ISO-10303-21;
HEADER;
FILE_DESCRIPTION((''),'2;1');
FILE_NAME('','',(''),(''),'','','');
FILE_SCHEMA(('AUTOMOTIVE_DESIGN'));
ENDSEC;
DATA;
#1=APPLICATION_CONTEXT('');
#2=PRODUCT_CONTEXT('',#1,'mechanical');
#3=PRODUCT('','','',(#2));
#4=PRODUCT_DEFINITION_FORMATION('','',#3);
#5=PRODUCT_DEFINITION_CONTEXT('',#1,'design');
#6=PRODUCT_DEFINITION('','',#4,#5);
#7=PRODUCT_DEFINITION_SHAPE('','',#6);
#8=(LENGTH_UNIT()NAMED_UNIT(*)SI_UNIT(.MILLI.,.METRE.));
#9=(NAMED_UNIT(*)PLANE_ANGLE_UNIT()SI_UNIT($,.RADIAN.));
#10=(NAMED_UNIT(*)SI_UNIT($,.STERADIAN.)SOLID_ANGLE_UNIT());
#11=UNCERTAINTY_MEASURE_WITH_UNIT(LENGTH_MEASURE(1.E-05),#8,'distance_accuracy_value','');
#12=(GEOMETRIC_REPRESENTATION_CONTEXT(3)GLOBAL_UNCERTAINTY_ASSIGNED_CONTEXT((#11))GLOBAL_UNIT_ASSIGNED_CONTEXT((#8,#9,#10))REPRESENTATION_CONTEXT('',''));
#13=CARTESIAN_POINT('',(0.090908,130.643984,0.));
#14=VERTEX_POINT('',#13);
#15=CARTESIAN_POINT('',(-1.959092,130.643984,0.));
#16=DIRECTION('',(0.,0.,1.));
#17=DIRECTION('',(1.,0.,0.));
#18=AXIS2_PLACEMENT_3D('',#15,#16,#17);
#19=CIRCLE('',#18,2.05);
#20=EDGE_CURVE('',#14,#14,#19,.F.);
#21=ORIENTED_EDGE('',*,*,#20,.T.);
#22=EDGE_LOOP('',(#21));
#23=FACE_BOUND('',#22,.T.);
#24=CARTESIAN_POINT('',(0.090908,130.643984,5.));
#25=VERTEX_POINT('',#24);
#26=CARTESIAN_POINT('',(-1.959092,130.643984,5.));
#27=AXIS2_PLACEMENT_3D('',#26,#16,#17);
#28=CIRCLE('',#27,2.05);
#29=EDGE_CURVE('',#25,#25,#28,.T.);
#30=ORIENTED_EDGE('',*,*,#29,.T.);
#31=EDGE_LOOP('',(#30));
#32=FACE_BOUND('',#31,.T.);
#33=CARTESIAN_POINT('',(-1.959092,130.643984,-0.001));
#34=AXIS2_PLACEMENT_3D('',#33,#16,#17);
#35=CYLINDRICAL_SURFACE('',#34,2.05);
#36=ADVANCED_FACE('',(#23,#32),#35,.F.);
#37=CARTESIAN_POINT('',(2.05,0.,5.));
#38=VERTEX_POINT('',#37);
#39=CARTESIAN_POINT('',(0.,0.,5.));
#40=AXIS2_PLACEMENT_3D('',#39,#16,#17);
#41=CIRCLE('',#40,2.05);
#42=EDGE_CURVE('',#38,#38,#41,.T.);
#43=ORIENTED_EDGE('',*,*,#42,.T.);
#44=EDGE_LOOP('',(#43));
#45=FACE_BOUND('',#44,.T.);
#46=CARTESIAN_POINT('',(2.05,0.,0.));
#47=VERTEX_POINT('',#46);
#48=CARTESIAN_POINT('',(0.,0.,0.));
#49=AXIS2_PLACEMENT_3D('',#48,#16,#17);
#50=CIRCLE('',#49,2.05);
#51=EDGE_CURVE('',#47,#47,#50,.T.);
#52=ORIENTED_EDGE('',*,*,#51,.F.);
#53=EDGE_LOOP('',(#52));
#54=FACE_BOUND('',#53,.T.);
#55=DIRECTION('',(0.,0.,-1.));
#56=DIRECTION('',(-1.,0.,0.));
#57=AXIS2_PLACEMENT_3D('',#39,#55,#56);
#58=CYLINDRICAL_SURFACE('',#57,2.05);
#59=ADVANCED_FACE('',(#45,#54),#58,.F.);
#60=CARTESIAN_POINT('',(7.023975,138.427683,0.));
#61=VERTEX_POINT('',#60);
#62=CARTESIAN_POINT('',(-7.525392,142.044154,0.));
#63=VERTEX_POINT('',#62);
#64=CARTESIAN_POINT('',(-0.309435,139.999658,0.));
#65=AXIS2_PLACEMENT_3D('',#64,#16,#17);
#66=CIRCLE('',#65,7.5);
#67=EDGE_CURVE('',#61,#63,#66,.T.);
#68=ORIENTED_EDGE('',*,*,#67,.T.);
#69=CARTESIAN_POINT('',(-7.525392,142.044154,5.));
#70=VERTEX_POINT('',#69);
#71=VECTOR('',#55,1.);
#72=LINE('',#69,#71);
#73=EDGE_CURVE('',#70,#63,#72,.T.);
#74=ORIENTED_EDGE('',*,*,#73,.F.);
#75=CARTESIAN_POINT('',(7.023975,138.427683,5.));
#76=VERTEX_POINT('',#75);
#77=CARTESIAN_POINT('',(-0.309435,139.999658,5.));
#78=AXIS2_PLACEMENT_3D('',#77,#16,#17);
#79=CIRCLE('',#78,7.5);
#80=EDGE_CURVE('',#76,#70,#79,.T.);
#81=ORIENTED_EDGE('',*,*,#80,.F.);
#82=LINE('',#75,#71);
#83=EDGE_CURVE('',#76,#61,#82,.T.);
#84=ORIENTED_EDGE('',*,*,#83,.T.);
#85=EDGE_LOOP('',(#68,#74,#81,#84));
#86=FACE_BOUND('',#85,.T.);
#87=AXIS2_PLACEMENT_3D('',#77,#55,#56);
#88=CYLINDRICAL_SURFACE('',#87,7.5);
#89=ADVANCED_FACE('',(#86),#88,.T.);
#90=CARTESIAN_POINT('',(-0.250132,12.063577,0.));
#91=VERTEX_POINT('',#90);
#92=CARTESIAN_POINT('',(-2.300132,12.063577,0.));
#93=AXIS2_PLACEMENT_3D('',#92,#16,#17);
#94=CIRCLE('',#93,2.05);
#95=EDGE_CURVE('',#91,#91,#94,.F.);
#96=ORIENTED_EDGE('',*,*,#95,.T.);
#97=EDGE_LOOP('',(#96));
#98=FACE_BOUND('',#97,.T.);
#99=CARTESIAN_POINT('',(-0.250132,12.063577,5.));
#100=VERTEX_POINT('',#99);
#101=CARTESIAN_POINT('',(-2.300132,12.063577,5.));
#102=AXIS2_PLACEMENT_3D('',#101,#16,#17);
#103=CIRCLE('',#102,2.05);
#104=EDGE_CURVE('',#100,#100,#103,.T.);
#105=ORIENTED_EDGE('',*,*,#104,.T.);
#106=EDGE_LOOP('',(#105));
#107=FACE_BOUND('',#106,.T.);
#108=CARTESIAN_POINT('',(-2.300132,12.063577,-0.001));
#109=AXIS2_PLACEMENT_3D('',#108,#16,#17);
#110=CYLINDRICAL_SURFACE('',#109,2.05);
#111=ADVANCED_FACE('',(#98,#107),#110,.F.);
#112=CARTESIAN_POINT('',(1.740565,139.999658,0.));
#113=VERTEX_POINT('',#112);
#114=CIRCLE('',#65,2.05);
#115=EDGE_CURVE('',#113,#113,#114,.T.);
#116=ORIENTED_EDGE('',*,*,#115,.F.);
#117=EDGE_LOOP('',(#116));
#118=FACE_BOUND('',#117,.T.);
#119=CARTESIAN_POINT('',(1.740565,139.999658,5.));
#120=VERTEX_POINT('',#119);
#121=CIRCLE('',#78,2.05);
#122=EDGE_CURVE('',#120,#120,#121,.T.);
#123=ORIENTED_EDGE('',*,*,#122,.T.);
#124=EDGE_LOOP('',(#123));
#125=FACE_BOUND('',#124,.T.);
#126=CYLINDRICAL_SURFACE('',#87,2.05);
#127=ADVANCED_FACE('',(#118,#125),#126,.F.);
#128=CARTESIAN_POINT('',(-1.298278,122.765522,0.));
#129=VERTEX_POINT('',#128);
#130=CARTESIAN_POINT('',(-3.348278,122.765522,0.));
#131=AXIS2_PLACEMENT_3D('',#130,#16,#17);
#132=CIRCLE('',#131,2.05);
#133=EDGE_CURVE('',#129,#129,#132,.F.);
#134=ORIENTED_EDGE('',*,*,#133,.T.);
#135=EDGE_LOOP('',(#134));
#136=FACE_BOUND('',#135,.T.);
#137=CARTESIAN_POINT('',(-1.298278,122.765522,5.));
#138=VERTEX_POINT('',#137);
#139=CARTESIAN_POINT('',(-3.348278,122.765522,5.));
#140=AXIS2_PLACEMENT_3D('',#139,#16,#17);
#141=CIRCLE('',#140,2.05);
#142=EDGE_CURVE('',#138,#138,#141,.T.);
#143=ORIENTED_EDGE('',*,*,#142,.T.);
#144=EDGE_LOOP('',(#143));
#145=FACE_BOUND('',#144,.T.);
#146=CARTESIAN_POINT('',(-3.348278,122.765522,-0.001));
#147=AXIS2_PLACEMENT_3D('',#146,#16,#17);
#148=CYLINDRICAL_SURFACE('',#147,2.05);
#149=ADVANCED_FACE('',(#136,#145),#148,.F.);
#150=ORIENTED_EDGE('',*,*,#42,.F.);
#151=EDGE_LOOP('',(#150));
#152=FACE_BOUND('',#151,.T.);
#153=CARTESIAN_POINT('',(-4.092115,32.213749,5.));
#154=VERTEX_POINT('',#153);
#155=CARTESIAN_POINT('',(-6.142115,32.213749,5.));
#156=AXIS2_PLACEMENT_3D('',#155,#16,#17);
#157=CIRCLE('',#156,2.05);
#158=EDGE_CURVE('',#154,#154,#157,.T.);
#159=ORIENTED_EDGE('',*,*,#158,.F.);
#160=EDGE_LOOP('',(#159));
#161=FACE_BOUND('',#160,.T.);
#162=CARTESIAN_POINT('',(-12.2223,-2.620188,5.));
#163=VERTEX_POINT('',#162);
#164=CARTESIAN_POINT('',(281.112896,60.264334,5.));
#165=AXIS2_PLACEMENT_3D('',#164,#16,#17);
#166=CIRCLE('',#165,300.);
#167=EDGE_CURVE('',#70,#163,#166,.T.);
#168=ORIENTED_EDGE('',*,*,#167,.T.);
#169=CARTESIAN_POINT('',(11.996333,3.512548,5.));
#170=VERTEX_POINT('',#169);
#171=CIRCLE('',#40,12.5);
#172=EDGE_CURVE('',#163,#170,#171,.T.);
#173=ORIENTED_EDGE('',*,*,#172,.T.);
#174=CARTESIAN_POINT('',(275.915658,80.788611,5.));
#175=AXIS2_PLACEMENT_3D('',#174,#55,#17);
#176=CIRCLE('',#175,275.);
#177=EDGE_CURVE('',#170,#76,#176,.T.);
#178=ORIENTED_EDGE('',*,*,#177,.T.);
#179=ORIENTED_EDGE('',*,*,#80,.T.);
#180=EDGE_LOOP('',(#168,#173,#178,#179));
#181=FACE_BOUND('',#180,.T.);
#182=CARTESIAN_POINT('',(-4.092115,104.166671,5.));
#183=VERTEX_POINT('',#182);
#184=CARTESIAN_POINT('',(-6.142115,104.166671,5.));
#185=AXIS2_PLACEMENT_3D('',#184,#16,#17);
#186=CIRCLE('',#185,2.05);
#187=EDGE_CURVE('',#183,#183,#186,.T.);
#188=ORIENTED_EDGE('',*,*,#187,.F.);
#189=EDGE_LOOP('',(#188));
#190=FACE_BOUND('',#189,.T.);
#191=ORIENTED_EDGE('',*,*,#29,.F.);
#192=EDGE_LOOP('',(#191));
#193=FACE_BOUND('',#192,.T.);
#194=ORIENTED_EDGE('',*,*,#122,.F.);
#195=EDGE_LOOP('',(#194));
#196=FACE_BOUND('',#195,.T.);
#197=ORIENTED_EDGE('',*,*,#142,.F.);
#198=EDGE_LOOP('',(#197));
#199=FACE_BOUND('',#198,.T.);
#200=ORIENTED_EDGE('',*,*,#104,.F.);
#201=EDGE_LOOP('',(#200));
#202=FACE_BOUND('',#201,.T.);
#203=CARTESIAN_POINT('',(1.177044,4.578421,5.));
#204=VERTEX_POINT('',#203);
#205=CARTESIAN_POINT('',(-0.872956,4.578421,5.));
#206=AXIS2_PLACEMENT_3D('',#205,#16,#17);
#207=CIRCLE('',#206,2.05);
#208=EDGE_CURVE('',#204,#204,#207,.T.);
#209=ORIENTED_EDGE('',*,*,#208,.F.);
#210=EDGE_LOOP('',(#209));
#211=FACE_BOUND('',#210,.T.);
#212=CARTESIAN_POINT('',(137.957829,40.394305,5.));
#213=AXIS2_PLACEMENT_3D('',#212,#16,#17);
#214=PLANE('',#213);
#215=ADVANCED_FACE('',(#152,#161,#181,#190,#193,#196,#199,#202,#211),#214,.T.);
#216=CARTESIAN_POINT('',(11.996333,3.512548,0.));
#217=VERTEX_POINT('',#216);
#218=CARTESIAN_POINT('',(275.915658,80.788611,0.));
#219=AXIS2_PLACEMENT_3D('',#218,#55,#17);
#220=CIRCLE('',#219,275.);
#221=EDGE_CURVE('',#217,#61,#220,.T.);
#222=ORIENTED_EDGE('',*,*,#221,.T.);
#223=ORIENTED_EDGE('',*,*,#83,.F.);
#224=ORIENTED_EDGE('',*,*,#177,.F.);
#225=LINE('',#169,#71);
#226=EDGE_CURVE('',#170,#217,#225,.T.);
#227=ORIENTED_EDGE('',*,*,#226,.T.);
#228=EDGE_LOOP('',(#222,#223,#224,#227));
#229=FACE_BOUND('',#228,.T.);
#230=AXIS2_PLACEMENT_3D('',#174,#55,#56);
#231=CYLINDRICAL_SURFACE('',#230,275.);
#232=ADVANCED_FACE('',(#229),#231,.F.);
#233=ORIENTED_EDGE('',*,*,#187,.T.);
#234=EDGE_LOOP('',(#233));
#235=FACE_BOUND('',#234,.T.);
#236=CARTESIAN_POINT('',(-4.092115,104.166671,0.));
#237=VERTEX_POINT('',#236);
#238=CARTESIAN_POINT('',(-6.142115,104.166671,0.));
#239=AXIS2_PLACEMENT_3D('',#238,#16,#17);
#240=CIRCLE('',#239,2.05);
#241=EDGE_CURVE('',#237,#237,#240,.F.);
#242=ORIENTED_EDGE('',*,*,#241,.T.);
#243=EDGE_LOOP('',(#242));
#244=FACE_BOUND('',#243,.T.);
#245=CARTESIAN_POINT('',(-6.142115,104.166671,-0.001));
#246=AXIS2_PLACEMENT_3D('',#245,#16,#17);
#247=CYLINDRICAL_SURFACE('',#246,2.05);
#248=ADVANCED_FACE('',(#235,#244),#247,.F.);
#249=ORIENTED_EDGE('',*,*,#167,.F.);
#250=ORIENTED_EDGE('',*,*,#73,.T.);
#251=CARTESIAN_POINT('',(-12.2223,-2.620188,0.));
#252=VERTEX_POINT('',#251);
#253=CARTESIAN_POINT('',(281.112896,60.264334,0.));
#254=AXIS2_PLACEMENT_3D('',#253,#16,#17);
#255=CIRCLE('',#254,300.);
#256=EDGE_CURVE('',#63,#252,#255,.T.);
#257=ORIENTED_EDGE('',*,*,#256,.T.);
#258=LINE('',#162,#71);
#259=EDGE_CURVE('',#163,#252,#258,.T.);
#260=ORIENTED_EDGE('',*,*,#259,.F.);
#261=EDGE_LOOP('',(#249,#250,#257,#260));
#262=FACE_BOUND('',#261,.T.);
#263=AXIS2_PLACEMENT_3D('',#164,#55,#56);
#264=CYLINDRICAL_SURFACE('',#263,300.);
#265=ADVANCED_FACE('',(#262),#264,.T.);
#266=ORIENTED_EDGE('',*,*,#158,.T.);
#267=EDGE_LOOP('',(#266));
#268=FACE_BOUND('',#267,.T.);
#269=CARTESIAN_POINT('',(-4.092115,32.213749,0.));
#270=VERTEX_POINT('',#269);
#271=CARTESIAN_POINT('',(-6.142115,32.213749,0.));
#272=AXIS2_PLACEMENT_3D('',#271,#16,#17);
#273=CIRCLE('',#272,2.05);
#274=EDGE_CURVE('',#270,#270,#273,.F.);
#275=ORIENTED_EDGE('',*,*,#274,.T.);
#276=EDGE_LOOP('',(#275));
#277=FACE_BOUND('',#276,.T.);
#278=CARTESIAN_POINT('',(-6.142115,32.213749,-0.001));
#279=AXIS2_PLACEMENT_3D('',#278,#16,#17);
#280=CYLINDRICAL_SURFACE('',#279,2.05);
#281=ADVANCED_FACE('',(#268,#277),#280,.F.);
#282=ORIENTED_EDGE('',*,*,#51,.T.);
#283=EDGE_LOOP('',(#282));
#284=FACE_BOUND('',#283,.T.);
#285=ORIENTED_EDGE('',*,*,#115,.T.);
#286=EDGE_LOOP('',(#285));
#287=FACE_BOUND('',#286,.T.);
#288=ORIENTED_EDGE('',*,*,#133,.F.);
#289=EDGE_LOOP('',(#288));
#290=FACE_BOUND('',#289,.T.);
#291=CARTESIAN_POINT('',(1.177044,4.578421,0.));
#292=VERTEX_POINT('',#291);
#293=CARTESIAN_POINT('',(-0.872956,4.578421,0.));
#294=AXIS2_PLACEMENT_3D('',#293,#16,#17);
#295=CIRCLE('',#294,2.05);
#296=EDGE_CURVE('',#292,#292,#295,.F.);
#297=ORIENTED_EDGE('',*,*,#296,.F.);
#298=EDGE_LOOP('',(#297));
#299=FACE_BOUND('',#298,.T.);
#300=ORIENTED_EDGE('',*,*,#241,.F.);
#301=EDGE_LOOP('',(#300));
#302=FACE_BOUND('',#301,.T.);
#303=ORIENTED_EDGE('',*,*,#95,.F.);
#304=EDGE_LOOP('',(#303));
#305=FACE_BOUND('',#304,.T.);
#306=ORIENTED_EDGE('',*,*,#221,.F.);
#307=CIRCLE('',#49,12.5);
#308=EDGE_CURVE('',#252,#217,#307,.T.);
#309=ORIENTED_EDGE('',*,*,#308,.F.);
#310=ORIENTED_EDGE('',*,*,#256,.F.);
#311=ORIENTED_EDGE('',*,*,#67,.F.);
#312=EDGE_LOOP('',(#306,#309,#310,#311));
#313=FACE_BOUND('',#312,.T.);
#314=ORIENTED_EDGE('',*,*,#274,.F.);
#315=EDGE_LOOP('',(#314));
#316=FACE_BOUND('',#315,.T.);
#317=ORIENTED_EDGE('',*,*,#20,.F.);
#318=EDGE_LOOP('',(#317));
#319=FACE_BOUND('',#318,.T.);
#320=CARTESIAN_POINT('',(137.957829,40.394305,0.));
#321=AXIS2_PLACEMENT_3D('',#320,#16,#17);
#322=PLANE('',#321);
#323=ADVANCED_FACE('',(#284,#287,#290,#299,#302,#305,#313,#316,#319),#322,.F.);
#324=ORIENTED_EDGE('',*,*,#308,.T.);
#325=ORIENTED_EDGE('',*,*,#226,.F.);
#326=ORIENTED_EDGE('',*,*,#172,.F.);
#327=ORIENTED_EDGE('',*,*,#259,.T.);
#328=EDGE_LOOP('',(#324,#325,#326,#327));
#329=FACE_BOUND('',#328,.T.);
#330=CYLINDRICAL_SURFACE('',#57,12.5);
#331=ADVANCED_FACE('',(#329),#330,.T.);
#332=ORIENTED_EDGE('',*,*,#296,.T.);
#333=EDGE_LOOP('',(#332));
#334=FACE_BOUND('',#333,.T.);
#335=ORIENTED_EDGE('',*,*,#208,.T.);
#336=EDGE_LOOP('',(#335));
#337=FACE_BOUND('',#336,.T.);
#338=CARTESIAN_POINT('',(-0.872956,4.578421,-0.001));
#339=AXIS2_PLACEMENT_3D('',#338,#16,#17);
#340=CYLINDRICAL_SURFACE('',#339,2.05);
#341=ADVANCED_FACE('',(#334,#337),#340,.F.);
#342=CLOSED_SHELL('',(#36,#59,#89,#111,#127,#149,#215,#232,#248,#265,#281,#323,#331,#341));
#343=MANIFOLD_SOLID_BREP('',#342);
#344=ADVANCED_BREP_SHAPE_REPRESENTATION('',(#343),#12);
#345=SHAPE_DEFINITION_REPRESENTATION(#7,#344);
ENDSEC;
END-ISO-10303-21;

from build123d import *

# Parameters (mm, degrees)
SCHIZZO1_R                   = 2.05
ESTRUSIONE_ESTRUSIONE1_DEPTH = 5
TAGLIO_ESTRUSIONE1_REACH     = 7
SCHIZZO2_R                   = 2.05
SKETCH1_R                    = 2.05
CUT_EXTRUDE1_DEPTH           = 5
CUT_EXTRUDE2_REACH           = 7
SKETCH2_R                    = 2.05


with BuildPart() as part:
    # Schizzo1 → Estrusione-Estrusione1 (new body)
    with BuildSketch(Plane.XY):
        with BuildLine():
            ThreePointArc((7.023974797, 138.427683332), (1.499753731, 147.278176914), (-7.525391936, 142.044153534))
            ThreePointArc((-7.525391936, 142.044153534), (-18.729107246, 69.99949188), (-12.22229981, -2.620188418))
            ThreePointArc((-12.22229981, -2.620188418), (3.068449146, -12.117533571), (11.996332959, 3.512548298))
            ThreePointArc((11.996332959, 3.512548298), (1.102237583, 70.660238267), (7.023974797, 138.427683332))
        make_face()
        Circle(SCHIZZO1_R, mode=Mode.SUBTRACT)
        with Locations((-0.309434746, 139.999658036)):
            Circle(SCHIZZO1_R, mode=Mode.SUBTRACT)
    extrude(amount=ESTRUSIONE_ESTRUSIONE1_DEPTH)

    # Schizzo2 → Taglio-Estrusione1 (cut, up to next)
    with BuildSketch(Plane.XY.offset(5), mode=Mode.PRIVATE) as taglio_estrusione1_sk1:
        with Locations((-6.142115432, 104.166670735)):
            Circle(SCHIZZO2_R)
    taglio_estrusione1_tool1 = extrude(taglio_estrusione1_sk1.sketch, amount=-TAGLIO_ESTRUSIONE1_REACH, mode=Mode.PRIVATE) & part.part
    add(taglio_estrusione1_tool1.solids().sort_by_distance((-6.142115, 104.166671, 5))[0], mode=Mode.SUBTRACT)
    # Schizzo2 → Taglio-Estrusione1 (cut, up to next)
    with BuildSketch(Plane.XY.offset(5), mode=Mode.PRIVATE) as taglio_estrusione1_sk2:
        with Locations((-6.142115432, 32.213749463)):
            Circle(SCHIZZO2_R)
    taglio_estrusione1_tool2 = extrude(taglio_estrusione1_sk2.sketch, amount=-TAGLIO_ESTRUSIONE1_REACH, mode=Mode.PRIVATE) & part.part
    add(taglio_estrusione1_tool2.solids().sort_by_distance((-6.142115, 32.213749, 5))[0], mode=Mode.SUBTRACT)

    # Sketch1 → Cut-Extrude1 (cut)
    with BuildSketch(Plane.XY.offset(5)):
        with Locations((-0.309434746, 139.999658036)):
            Circle(SKETCH1_R)
        with Locations((-1.959092434, 130.643984382)):
            Circle(SKETCH1_R)
        with Locations((-3.348277855, 122.765522358)):
            Circle(SKETCH1_R)
    extrude(amount=-CUT_EXTRUDE1_DEPTH, mode=Mode.SUBTRACT)

    # Sketch2 → Cut-Extrude2 (cut, up to next)
    with BuildSketch(Plane.XY.offset(5), mode=Mode.PRIVATE) as cut_extrude2_sk1:
        with Locations((-0.872956087, 4.578420741)):
            Circle(SKETCH2_R)
    cut_extrude2_tool1 = extrude(cut_extrude2_sk1.sketch, amount=-CUT_EXTRUDE2_REACH, mode=Mode.PRIVATE) & part.part
    add(cut_extrude2_tool1.solids().sort_by_distance((-0.872956, 4.578421, 5))[0], mode=Mode.SUBTRACT)
    # Sketch2 → Cut-Extrude2 (cut, up to next)
    with BuildSketch(Plane.XY.offset(5), mode=Mode.PRIVATE) as cut_extrude2_sk2:
        with Locations((-2.300132251, 12.063577265)):
            Circle(SKETCH2_R)
    cut_extrude2_tool2 = extrude(cut_extrude2_sk2.sketch, amount=-CUT_EXTRUDE2_REACH, mode=Mode.PRIVATE) & part.part
    add(cut_extrude2_tool2.solids().sort_by_distance((-2.300132, 12.063577, 5))[0], mode=Mode.SUBTRACT)


solid = part.part
